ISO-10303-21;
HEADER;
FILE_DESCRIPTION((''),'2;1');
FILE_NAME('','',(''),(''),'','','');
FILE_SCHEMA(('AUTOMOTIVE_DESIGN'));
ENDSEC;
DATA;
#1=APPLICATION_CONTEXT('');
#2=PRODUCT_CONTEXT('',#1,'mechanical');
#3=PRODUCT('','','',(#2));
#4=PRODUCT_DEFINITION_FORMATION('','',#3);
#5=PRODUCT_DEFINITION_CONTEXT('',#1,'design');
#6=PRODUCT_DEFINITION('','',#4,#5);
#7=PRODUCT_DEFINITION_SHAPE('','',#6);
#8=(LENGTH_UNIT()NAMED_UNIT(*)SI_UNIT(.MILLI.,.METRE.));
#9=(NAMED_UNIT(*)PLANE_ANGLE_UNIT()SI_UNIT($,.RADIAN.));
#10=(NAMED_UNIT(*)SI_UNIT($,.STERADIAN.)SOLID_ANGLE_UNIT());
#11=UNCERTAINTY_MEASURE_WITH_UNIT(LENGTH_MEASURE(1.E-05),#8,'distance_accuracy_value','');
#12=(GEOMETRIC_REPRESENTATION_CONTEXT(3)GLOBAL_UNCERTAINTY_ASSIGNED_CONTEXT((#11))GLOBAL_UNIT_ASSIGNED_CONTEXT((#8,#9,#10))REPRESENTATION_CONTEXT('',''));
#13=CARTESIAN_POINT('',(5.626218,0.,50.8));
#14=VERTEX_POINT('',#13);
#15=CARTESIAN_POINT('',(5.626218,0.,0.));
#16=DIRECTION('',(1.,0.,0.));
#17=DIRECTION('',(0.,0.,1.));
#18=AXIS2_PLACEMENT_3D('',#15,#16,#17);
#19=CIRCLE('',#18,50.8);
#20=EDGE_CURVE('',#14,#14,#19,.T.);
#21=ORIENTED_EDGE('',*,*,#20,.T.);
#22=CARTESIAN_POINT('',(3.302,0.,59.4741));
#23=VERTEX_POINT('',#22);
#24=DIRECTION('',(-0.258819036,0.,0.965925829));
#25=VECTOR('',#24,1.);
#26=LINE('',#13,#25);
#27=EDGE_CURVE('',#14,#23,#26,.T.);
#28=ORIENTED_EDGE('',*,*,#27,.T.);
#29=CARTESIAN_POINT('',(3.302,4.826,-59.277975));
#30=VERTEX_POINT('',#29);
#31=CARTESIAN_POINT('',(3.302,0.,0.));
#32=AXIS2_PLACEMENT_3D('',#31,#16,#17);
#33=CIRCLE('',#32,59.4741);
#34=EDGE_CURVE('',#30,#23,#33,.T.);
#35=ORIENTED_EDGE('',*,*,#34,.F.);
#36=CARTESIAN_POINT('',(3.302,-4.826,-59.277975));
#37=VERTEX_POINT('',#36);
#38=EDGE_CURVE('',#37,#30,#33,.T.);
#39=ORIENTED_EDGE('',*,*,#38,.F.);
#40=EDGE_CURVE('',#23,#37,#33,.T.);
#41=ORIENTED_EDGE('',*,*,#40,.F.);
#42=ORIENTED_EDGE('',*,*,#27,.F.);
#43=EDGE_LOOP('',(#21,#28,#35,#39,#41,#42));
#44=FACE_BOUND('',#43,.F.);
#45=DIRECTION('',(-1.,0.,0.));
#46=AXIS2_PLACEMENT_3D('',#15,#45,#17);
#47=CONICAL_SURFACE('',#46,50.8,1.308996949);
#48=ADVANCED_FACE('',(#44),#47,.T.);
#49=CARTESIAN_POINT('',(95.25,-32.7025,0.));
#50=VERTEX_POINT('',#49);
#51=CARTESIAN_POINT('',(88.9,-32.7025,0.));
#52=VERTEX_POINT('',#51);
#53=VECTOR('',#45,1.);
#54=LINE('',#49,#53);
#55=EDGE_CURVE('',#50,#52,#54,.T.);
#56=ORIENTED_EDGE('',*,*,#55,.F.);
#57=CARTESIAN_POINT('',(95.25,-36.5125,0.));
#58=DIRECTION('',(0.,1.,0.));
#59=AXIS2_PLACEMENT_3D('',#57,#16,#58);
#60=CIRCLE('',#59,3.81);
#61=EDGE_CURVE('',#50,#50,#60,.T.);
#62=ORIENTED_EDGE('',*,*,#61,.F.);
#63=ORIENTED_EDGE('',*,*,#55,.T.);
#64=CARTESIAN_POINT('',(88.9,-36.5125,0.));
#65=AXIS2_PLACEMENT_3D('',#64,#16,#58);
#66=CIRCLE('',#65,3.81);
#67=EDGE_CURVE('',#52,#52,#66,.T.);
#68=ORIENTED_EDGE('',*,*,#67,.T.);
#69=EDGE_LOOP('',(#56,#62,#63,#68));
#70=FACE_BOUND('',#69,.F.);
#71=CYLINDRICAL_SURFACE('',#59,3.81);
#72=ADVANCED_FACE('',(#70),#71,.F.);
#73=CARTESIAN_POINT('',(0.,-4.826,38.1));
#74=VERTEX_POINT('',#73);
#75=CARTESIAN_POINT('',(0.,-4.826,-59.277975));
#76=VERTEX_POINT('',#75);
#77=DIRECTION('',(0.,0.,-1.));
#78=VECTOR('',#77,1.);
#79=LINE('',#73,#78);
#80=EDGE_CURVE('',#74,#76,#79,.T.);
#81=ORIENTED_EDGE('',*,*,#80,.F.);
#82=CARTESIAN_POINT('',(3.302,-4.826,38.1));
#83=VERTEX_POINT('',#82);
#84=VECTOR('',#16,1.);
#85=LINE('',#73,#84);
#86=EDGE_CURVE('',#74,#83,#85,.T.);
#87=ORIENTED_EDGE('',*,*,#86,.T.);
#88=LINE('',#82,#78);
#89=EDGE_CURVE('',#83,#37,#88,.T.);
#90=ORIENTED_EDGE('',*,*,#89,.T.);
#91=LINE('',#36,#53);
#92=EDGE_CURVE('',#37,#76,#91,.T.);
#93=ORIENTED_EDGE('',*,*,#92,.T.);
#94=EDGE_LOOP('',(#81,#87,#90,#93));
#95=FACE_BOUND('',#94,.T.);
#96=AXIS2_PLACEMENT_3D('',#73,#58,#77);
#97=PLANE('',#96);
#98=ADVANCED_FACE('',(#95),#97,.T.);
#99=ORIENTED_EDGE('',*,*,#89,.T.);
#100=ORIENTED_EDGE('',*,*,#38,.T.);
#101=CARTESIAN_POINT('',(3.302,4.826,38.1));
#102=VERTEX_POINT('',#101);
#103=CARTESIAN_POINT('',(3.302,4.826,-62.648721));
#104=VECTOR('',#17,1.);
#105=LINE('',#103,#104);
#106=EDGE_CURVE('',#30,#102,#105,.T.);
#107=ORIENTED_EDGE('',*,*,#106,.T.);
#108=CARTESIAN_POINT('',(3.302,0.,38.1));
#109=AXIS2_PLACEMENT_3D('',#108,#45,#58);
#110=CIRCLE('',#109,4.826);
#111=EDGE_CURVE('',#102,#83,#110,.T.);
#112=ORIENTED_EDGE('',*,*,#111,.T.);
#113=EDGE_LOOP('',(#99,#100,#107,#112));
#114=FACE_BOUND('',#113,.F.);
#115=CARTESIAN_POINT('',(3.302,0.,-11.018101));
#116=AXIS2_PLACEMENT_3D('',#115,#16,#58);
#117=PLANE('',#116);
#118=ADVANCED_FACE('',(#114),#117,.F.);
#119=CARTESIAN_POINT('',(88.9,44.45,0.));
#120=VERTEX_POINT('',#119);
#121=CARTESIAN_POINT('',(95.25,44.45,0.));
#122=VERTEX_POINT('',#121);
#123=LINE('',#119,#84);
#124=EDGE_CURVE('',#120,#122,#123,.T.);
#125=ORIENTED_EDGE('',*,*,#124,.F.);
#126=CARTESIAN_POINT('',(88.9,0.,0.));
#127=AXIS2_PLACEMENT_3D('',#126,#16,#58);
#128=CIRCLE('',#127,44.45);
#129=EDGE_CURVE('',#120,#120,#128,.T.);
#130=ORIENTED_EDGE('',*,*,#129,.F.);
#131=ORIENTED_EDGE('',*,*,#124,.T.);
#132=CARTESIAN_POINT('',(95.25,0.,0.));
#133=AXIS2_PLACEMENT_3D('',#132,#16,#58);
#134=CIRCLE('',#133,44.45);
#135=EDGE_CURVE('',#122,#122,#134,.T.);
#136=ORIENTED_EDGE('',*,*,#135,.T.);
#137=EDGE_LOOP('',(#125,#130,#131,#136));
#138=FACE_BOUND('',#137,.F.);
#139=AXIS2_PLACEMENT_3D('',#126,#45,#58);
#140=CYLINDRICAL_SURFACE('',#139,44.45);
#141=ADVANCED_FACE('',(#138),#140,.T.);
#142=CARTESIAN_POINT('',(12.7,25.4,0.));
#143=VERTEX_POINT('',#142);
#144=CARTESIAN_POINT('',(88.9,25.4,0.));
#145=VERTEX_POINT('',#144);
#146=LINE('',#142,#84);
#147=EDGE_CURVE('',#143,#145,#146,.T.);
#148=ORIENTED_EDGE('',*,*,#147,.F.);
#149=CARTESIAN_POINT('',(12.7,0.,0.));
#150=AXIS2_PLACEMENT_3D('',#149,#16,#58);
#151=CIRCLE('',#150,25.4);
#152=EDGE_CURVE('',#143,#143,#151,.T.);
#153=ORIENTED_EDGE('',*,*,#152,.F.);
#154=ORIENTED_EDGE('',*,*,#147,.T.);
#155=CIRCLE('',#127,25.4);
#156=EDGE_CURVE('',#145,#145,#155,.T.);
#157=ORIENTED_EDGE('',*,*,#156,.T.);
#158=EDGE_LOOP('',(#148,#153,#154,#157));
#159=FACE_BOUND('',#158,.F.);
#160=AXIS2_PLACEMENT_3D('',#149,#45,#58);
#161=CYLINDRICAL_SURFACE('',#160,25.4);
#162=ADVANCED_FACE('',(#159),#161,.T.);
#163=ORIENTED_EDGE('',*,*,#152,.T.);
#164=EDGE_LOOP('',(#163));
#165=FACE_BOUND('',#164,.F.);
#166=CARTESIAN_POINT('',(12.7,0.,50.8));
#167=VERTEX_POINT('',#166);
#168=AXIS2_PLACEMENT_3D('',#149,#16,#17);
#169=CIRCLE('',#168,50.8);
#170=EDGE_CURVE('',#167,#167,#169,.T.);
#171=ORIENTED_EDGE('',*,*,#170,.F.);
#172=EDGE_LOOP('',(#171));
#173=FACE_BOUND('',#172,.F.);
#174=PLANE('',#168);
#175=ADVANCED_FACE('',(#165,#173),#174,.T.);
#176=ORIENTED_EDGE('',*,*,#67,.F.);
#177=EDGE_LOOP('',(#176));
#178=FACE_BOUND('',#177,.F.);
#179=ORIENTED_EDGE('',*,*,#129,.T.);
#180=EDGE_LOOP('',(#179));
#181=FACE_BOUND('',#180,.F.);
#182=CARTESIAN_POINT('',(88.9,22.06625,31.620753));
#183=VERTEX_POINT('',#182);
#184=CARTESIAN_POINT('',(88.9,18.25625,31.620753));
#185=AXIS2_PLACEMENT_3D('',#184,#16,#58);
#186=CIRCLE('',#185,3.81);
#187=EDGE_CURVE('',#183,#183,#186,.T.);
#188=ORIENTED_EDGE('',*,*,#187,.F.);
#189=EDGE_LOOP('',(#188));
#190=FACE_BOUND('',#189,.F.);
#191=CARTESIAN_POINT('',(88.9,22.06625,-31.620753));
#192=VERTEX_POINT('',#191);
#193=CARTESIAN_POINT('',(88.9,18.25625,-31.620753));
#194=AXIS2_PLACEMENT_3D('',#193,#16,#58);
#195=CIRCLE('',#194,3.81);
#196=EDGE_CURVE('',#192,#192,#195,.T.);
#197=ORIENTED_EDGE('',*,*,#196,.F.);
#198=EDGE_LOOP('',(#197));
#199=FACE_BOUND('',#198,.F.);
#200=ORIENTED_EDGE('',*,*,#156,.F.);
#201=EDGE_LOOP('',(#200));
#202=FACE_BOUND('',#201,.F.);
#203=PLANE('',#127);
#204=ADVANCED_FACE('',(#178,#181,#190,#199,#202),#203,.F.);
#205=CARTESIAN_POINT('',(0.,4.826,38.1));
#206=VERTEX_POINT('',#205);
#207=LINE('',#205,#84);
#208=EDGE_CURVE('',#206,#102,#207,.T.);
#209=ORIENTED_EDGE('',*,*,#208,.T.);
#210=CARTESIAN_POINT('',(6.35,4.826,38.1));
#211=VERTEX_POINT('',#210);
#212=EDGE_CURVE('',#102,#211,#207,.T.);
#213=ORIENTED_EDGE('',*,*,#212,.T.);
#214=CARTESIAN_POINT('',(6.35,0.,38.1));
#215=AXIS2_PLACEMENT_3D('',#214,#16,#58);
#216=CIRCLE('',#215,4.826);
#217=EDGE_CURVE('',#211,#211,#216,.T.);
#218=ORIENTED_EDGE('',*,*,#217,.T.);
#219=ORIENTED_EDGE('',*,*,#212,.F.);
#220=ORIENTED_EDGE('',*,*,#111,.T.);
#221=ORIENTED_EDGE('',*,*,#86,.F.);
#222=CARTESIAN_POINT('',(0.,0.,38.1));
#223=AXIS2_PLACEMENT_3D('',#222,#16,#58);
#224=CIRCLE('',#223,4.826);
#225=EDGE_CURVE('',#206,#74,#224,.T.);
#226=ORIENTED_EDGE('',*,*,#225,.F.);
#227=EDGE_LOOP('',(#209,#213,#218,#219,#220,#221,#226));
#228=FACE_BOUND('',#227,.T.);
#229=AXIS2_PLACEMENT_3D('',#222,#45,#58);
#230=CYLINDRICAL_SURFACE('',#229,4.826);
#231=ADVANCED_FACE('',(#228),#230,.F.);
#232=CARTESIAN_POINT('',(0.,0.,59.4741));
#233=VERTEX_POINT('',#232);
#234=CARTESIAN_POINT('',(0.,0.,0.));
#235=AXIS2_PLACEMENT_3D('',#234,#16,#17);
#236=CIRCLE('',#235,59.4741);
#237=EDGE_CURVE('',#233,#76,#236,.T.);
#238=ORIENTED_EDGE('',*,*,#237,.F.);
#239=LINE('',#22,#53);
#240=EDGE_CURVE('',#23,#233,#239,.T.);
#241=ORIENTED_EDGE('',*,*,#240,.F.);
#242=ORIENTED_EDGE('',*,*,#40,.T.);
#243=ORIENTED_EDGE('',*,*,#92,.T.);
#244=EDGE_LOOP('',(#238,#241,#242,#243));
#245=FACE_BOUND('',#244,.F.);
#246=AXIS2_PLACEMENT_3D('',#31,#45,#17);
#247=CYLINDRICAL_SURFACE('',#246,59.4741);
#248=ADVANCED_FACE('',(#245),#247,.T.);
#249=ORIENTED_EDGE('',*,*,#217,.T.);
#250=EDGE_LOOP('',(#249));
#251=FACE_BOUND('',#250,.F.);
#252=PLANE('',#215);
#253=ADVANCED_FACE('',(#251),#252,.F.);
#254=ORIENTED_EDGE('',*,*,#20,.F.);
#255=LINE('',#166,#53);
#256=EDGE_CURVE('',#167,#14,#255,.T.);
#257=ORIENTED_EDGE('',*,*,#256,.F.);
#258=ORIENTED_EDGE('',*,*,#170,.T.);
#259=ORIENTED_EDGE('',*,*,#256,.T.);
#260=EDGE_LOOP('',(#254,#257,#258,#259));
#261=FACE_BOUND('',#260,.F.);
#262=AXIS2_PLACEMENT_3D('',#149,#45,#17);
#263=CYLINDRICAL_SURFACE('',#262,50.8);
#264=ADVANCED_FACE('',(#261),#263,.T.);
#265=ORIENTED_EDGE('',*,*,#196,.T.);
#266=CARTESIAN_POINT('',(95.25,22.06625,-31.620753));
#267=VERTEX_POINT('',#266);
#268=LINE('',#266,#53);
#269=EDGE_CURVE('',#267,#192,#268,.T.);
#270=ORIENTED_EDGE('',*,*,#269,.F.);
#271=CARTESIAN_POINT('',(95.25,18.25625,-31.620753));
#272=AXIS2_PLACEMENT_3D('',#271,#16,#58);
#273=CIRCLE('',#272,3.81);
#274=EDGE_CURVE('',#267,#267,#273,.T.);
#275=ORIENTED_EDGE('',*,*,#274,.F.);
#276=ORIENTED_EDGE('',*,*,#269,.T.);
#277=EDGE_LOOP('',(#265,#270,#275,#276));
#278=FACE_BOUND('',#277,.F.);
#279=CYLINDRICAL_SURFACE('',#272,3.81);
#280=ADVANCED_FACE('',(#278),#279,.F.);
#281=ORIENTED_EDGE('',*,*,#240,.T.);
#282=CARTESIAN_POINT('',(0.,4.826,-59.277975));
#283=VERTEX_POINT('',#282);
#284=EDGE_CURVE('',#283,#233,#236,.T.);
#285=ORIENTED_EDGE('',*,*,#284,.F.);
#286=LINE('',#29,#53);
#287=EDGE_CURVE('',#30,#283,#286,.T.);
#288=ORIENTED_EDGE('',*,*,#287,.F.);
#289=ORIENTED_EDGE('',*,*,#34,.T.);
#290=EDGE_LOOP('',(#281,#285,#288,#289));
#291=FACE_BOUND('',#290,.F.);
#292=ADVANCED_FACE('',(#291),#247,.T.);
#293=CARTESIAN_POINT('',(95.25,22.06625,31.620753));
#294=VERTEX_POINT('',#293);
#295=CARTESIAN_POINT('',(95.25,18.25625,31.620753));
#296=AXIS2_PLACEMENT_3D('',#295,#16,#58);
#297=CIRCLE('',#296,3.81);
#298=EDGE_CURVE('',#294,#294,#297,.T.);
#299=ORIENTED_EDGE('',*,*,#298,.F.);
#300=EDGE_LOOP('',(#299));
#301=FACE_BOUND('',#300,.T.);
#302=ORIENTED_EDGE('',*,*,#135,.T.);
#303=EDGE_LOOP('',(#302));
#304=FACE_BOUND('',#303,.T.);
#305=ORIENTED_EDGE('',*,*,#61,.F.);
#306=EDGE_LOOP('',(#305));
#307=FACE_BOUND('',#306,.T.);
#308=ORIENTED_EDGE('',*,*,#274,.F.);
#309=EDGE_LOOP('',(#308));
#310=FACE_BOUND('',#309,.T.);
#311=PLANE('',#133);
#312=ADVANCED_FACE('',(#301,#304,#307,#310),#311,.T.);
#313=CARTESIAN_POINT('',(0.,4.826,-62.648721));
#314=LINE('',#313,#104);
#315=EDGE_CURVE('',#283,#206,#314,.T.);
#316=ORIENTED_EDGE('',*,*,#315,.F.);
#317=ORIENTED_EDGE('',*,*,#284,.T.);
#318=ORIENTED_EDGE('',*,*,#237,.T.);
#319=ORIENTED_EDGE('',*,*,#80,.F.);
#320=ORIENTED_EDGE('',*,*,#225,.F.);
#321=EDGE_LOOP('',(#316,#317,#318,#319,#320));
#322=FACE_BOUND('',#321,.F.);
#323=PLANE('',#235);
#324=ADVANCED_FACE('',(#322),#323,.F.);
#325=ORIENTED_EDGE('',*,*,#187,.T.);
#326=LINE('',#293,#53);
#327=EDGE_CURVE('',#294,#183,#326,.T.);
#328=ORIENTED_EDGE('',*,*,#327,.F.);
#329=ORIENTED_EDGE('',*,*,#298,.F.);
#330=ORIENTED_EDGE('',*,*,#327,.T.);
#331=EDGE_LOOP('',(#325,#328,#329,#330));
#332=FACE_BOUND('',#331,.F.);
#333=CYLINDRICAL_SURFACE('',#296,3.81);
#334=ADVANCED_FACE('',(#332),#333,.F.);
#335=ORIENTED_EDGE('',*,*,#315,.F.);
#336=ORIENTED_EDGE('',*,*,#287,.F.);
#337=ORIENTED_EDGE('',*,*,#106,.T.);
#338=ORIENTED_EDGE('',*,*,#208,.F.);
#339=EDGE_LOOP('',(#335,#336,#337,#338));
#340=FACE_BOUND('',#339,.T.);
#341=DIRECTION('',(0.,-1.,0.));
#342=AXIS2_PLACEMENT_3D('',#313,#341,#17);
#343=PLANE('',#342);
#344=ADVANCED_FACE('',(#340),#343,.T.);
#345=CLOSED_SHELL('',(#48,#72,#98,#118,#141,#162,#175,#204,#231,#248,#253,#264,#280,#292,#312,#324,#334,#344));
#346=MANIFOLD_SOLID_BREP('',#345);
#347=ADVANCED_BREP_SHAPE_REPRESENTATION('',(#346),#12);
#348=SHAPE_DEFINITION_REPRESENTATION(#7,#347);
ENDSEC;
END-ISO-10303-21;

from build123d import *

# Parameters (mm, degrees)
F3_DEPTH  = 3.302
F4_R      = 4.826
F5_DEPTH  = 6.35
F6_R      = 25.4
F7_DEPTH  = 76.2
F8_R      = 44.45
F9_DEPTH  = 6.35
F10_R     = 3.81
F11_DEPTH = 25.4


with BuildPart() as f1:
    # F0 (on Front) → F1 (revolve)
    with BuildSketch(Plane.XZ):
        Polygon((0, 59.4741), (0, 0), (12.7, 0), (12.7, 50.8), (5.626218, 50.8), (3.302, 59.4741), align=None)
    revolve(axis=Axis((-7.589792, 0, 0), (1, 0, 0)))

    # F2 (on Right) → F3 (cut)
    with BuildSketch(Plane.YZ):
        with BuildLine():
            Line((4.826, -62.648721), (4.826, 38.1))
            ThreePointArc((4.826, 38.1), (0, 42.926), (-4.826, 38.1))
            Line((-4.826, 38.1), (-4.826, -62.648721))
            Line((-4.826, -62.648721), (4.826, -62.648721))
        make_face()
    extrude(amount=F3_DEPTH, mode=Mode.SUBTRACT)

    # F4 (on Right) → F5 (cut)
    with BuildSketch(Plane.YZ):
        with Locations((0, 38.1)):
            Circle(F4_R)
    extrude(amount=F5_DEPTH, mode=Mode.SUBTRACT)

    # F6 (on face) → F7 (join)
    with BuildSketch(Plane.YZ.offset(12.7)):
        Circle(F6_R)
    extrude(amount=F7_DEPTH)

    # F8 (on face) → F9 (join)
    with BuildSketch(Plane.YZ.offset(88.9)):
        Circle(F8_R)
    extrude(amount=F9_DEPTH)

    # F10 (on face) → F11 (cut)
    with BuildSketch(Plane.YZ.offset(95.25)):
        with Locations((-36.5125, 0)):
            Circle(F10_R)
        with Locations((18.25625, -31.620753)):
            Circle(F10_R)
        with Locations((18.25625, 31.620753)):
            Circle(F10_R)
    extrude(amount=-F11_DEPTH, mode=Mode.SUBTRACT)


solid = f1.part
